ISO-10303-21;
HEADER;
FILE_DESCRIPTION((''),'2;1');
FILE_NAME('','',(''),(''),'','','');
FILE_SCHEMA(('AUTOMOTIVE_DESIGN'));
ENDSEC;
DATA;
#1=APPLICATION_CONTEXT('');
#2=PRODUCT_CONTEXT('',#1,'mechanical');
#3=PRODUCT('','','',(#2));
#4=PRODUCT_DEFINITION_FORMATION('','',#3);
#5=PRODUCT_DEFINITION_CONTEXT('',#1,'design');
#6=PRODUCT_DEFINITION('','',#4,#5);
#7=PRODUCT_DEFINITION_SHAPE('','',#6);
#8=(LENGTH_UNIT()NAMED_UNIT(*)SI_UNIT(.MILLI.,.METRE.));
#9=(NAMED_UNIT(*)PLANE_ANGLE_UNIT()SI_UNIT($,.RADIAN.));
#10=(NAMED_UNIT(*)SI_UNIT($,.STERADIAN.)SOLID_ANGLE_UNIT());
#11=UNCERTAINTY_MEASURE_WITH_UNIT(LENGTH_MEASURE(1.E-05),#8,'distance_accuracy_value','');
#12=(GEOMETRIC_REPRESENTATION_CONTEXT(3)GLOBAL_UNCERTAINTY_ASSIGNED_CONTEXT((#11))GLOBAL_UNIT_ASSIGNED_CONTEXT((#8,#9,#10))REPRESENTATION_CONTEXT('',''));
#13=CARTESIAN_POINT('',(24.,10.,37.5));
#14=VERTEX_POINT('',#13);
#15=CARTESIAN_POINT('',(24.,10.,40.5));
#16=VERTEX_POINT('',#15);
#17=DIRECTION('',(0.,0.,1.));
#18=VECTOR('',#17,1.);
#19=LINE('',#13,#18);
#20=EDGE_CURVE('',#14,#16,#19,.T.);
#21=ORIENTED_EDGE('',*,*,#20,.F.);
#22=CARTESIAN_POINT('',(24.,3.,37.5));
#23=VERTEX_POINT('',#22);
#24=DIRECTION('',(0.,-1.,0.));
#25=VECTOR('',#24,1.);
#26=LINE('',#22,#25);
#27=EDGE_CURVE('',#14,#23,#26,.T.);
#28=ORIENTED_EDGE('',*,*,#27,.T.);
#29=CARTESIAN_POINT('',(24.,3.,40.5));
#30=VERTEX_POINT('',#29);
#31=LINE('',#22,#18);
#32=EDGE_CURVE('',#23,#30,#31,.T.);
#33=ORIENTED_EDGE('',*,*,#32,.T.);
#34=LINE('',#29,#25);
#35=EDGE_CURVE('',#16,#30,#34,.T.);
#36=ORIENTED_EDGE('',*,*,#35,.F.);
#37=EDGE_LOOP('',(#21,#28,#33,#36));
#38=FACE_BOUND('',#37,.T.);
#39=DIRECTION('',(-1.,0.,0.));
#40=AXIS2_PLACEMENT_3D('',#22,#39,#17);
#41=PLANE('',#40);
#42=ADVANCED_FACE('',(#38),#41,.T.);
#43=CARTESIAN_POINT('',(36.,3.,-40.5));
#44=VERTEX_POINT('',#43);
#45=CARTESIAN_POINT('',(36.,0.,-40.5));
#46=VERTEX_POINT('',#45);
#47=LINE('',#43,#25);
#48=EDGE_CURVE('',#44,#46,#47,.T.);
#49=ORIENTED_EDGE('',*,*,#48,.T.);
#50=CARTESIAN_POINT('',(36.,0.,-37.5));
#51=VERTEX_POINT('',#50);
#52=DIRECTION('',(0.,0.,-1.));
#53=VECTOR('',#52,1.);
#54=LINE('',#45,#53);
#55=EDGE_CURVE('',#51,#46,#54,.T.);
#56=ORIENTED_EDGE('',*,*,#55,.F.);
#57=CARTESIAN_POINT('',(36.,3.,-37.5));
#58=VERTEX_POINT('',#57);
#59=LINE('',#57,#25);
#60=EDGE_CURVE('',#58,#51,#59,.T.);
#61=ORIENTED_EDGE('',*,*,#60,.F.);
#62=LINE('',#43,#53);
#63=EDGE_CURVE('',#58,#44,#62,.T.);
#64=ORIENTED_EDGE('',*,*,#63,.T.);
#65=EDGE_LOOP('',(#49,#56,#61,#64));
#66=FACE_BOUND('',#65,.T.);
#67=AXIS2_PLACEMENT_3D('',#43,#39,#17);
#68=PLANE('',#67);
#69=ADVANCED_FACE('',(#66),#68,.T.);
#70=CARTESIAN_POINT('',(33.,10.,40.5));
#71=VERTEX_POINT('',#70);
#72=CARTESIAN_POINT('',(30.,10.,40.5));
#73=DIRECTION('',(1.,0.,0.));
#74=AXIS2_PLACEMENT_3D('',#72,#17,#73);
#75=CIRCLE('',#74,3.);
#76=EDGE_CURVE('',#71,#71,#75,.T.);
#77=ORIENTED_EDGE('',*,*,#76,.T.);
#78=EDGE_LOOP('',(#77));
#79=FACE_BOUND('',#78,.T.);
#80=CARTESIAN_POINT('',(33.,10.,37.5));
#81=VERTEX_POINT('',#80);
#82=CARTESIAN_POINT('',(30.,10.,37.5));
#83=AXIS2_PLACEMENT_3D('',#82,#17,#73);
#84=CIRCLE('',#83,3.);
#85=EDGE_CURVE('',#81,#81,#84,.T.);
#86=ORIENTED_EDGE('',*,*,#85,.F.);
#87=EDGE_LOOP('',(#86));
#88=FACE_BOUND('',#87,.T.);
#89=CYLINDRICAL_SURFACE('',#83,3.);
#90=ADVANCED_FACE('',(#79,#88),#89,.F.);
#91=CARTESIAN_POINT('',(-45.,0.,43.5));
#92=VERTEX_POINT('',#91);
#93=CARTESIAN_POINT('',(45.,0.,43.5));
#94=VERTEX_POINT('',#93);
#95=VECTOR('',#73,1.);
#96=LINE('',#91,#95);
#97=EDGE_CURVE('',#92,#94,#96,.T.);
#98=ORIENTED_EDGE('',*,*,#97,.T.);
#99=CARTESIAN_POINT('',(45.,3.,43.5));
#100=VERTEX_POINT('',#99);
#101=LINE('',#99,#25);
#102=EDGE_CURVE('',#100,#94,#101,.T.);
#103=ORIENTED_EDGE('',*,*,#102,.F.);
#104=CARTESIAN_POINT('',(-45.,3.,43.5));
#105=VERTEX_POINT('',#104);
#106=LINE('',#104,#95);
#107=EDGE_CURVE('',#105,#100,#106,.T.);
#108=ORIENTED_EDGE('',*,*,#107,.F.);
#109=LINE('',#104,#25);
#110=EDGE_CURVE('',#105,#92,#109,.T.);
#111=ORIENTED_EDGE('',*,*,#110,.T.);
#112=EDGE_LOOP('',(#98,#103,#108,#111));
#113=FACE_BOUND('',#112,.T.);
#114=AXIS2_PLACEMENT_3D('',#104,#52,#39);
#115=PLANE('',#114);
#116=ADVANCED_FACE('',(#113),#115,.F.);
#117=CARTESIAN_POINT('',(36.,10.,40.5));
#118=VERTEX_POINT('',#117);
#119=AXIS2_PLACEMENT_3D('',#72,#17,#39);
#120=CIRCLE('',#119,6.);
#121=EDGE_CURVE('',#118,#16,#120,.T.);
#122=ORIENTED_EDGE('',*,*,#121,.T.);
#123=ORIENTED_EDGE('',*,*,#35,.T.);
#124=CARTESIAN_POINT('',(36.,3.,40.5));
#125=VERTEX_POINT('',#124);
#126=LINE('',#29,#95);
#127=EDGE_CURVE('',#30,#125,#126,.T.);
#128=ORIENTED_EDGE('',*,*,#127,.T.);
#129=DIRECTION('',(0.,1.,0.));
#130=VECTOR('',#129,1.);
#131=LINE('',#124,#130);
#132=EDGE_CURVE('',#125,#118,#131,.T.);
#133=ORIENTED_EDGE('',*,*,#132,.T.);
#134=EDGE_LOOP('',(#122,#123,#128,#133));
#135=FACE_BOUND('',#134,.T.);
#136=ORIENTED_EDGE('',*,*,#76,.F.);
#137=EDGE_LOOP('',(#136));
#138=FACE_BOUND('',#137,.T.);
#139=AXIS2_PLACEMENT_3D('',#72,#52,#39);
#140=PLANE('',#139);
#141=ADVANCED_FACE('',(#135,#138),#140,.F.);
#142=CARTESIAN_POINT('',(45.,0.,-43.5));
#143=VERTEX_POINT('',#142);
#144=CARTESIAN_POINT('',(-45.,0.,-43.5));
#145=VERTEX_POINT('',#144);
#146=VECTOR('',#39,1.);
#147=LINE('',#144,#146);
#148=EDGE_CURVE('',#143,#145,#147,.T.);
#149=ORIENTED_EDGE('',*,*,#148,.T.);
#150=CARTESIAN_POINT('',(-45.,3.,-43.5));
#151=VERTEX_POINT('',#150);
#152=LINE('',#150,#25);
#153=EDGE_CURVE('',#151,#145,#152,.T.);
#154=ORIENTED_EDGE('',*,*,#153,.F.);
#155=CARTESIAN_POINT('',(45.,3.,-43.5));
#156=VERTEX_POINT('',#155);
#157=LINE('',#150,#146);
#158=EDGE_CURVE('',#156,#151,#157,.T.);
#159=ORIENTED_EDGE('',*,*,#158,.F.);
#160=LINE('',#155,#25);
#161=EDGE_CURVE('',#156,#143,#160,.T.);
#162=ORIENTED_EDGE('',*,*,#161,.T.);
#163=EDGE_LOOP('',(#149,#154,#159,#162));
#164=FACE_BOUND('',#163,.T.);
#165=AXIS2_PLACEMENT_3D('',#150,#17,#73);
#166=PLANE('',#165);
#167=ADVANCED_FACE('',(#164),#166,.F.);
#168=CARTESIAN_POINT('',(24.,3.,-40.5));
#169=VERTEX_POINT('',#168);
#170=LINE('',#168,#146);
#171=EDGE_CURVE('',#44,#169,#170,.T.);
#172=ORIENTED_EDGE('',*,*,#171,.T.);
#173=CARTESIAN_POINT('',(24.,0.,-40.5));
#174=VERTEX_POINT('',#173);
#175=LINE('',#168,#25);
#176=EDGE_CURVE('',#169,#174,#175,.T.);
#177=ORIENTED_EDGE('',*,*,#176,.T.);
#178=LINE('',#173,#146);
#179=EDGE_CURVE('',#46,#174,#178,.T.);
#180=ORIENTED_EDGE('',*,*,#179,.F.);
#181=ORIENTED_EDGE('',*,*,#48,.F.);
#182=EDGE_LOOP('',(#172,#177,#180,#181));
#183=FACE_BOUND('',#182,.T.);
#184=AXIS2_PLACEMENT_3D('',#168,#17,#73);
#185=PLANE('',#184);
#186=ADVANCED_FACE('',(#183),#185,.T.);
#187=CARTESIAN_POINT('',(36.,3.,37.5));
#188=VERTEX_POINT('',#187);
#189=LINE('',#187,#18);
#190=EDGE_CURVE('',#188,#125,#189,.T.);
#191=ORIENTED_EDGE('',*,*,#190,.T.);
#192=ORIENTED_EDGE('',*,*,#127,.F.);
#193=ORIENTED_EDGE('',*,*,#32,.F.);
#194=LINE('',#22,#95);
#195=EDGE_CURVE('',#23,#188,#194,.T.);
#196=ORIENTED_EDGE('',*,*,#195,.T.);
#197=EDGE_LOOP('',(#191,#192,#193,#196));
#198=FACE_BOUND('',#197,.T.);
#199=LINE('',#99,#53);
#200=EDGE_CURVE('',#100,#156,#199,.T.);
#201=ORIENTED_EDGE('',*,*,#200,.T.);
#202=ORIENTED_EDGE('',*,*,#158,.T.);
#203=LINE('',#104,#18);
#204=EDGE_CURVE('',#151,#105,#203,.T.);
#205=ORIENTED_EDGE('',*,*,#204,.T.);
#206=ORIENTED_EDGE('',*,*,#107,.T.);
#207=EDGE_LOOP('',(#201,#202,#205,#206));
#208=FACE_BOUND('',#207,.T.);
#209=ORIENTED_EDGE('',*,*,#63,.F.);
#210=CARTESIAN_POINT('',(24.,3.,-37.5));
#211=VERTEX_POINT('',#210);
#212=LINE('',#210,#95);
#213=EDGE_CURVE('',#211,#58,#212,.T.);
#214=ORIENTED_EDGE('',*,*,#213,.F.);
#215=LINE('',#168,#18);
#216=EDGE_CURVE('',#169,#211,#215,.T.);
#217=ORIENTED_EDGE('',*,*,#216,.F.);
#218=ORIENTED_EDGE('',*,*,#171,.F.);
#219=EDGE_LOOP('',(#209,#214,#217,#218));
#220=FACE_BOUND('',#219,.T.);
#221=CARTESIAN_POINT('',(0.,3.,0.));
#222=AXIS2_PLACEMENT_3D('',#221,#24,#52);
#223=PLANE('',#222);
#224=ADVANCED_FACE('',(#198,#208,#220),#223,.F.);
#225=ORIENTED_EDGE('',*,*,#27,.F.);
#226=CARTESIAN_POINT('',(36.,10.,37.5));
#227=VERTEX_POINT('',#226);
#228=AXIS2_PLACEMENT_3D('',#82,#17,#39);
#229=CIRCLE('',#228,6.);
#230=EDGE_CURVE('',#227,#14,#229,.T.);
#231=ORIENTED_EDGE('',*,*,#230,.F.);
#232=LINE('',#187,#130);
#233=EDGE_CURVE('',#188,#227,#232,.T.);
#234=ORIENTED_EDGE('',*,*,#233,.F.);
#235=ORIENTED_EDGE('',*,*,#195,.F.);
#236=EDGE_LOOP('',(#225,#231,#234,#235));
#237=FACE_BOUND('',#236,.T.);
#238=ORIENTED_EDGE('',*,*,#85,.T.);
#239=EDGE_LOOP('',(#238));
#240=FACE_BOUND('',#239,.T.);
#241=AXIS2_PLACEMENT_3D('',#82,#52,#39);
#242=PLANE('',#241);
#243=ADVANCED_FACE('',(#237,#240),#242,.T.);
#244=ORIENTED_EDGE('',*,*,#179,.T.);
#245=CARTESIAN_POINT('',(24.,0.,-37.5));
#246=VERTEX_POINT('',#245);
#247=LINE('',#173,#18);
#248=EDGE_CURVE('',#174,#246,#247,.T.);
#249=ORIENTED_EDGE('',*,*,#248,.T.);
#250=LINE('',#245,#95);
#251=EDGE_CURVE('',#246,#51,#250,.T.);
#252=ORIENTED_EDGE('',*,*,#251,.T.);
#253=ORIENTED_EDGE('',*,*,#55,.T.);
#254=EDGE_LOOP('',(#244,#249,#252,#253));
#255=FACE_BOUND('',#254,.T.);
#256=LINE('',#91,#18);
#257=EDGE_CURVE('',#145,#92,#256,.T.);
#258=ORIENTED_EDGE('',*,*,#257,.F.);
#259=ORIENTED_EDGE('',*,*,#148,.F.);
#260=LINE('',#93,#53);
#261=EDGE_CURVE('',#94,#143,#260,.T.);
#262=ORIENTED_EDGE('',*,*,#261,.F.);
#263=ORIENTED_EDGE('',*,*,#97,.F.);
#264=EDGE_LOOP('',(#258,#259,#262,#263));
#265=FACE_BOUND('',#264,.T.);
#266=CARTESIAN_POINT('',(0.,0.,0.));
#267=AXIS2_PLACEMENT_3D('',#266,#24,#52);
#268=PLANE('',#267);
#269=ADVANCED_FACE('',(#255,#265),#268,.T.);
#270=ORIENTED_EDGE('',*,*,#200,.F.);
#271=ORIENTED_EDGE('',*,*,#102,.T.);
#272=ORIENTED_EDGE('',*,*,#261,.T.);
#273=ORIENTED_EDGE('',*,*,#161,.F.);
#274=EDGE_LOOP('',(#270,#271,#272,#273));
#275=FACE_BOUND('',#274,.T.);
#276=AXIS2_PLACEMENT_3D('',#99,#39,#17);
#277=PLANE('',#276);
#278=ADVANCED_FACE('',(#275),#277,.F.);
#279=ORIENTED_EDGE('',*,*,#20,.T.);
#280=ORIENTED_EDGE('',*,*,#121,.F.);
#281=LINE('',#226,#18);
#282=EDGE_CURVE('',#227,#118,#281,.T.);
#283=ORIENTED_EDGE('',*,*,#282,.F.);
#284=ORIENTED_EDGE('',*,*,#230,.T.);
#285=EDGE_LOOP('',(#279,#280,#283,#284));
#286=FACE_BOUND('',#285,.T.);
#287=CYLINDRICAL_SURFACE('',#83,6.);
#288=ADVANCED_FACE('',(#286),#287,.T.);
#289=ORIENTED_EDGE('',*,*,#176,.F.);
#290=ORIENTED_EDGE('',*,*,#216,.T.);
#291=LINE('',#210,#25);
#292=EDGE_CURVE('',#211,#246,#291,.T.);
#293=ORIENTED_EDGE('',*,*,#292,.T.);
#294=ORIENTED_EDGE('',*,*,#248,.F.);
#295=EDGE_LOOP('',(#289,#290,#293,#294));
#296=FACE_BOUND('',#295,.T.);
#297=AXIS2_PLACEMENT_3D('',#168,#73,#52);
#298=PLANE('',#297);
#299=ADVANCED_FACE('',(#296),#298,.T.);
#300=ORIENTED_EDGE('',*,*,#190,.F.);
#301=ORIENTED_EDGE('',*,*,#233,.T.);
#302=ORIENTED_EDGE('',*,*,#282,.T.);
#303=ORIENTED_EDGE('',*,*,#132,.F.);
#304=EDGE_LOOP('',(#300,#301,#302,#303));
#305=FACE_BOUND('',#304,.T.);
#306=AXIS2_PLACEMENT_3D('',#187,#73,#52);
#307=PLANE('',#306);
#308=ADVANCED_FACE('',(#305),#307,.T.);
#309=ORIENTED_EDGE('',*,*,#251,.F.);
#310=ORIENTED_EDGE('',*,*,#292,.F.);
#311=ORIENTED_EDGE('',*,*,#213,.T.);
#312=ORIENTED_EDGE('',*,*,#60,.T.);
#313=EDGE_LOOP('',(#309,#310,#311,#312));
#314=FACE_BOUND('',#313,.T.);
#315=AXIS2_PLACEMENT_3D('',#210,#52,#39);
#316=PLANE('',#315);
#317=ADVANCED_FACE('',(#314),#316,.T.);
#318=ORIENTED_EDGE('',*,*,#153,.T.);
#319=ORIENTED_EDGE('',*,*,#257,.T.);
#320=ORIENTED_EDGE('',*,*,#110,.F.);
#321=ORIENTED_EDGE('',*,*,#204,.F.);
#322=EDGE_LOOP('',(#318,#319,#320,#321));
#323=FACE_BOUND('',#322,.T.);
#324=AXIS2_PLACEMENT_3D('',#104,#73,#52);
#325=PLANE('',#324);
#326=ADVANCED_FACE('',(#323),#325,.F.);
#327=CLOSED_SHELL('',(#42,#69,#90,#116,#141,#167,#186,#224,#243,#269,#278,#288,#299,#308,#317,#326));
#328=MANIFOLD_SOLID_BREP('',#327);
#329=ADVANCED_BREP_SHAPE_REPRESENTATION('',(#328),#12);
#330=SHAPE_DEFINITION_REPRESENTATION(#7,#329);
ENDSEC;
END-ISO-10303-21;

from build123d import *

# Parameters (mm, degrees)
SKETCH1_W           = 90
SKETCH1_H           = 87
SKETCH1_W_2         = 12
SKETCH1_H_2         = 3
BOSS_EXTRUDE1_DEPTH = 3
SKETCH3_R           = 3
BOSS_EXTRUDE2_DEPTH = 3


with BuildPart() as part:
    # Sketch1 → Boss-Extrude1 (new body)
    with BuildSketch(Plane(origin=(0, 0, 0), x_dir=(1, 0, 0), z_dir=(0, 1, 0))):
        Rectangle(SKETCH1_W, SKETCH1_H)
        with Locations((30, 39)):
            Rectangle(SKETCH1_W_2, SKETCH1_H_2, mode=Mode.SUBTRACT)
    extrude(amount=BOSS_EXTRUDE1_DEPTH)

    # Sketch3 → Boss-Extrude2 (add)
    with BuildSketch(Plane.XY.offset(40.5)):
        with BuildLine():
            Line((24, 3), (24, 10))
            ThreePointArc((24, 10), (30, 16), (36, 10))
            Line((36, 10), (36, 3))
            Line((36, 3), (24, 3))
        make_face()
        with Locations((30, 10)):
            Circle(SKETCH3_R, mode=Mode.SUBTRACT)
    extrude(amount=-BOSS_EXTRUDE2_DEPTH)


solid = part.part
